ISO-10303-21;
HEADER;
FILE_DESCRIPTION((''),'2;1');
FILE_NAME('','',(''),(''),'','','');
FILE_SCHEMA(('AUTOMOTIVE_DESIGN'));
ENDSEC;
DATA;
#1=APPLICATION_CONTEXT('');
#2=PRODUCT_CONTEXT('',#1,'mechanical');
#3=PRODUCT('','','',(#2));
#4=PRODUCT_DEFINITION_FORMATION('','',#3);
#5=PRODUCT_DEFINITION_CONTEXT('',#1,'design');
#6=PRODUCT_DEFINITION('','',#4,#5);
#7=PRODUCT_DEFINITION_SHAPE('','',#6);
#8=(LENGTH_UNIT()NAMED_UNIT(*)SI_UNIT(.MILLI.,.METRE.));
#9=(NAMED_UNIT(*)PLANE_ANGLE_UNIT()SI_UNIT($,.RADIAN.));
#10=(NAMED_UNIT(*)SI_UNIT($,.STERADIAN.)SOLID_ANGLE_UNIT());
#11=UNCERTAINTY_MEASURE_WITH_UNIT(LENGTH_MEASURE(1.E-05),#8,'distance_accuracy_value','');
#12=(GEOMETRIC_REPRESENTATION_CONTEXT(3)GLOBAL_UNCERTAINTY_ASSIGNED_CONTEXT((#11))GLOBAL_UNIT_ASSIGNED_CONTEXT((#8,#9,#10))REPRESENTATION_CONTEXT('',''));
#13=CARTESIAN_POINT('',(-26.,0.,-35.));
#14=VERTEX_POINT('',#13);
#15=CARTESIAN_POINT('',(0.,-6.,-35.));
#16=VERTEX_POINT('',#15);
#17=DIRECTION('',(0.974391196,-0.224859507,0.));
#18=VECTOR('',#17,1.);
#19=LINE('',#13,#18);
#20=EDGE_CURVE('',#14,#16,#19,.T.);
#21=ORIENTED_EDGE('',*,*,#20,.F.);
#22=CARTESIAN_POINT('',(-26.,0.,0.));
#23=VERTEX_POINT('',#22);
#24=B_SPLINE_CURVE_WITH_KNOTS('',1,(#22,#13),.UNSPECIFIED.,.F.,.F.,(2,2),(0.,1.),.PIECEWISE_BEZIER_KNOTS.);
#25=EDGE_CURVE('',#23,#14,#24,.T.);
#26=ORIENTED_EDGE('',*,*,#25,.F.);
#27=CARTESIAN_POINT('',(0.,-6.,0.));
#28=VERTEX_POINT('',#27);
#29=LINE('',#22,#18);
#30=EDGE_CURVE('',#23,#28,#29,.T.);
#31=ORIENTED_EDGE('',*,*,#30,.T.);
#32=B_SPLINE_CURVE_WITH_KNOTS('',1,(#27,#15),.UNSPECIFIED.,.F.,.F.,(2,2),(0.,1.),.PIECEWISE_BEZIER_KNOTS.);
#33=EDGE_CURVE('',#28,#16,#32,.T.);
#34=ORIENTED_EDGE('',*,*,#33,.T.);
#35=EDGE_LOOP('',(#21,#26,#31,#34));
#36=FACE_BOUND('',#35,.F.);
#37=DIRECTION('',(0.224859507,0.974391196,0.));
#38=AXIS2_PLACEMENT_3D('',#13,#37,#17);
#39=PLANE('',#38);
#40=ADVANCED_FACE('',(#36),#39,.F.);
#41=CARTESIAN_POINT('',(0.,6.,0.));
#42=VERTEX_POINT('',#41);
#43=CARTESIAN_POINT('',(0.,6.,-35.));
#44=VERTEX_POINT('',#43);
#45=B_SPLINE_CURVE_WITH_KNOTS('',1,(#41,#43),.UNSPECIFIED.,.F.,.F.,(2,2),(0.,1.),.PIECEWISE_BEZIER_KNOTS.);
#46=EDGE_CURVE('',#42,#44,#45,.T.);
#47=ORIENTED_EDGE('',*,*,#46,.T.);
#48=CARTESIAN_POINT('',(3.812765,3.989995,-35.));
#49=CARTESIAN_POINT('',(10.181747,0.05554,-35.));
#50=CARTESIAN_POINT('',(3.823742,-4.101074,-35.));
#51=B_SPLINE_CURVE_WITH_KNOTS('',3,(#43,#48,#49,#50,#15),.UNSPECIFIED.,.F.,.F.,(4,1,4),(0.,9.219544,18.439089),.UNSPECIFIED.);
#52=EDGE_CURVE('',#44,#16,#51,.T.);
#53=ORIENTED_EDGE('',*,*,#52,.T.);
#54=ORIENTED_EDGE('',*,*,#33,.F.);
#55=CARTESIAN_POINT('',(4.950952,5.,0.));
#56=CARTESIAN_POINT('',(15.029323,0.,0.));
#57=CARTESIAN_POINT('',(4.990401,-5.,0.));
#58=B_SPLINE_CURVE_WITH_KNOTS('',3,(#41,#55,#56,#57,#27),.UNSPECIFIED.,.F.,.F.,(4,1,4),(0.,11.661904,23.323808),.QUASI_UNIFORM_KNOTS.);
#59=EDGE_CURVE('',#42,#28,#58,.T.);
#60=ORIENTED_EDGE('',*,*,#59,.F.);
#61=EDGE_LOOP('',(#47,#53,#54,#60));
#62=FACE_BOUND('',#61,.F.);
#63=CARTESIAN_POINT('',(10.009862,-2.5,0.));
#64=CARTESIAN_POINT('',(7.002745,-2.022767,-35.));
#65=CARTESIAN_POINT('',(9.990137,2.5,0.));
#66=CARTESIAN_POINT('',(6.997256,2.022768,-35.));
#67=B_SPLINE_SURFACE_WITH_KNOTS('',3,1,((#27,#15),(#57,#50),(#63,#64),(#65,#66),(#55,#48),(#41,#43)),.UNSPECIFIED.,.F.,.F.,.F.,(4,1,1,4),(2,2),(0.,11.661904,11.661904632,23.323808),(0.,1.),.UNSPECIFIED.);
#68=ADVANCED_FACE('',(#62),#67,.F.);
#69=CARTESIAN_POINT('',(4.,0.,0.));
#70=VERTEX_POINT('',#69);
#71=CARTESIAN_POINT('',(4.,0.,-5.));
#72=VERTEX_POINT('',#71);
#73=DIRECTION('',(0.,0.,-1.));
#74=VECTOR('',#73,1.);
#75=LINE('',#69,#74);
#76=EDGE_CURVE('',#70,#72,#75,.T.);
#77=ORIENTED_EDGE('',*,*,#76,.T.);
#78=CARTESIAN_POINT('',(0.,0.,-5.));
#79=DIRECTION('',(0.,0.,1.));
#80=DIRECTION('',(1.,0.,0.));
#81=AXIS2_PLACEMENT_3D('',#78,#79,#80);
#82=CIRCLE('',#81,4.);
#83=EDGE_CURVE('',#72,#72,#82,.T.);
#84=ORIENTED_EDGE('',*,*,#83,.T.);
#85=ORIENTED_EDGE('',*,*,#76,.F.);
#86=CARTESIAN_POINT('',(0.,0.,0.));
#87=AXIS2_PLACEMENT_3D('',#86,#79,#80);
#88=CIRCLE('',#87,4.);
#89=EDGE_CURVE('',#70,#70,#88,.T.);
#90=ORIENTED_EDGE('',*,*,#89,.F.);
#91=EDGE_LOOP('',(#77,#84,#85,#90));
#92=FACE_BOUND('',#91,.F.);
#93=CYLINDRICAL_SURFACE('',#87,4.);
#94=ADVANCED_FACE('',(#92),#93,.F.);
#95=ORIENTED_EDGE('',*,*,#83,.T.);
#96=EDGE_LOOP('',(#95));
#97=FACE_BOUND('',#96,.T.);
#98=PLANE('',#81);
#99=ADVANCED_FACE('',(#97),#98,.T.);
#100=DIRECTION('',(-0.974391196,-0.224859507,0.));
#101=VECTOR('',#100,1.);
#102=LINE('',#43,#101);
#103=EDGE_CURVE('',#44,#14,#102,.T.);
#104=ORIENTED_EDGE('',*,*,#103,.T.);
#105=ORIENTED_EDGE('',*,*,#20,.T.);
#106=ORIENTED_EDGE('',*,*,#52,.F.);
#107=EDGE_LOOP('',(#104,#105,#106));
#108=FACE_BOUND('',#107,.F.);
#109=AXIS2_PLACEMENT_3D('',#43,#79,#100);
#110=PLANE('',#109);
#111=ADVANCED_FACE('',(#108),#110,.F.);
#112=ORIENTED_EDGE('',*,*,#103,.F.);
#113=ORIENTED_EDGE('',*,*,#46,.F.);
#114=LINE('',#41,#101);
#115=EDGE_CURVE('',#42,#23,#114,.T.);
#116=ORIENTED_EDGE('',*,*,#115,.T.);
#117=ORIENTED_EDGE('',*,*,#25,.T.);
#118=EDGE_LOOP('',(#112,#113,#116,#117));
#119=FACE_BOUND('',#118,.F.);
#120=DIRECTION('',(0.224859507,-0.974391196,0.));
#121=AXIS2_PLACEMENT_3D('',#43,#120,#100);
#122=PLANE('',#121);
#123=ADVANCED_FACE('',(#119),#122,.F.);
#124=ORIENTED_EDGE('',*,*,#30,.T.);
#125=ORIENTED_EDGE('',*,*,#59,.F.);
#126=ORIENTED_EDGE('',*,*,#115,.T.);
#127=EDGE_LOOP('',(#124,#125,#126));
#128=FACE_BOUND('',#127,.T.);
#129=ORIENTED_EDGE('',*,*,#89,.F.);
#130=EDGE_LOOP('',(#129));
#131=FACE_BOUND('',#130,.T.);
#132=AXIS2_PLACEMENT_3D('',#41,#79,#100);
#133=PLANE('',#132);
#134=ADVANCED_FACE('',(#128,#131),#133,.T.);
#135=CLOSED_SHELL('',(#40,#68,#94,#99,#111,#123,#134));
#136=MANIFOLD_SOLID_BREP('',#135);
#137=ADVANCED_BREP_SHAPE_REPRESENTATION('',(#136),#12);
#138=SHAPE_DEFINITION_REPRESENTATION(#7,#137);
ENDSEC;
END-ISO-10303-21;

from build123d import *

# Parameters (mm, degrees)
F4_R     = 4
F5_DEPTH = 5


with BuildPart() as f3:
    # F0 (on Top) → F3 section 0
    with BuildSketch(Plane.XY):
        with BuildLine():
            Line((0, 6), (-26, 0))
            Line((-26, 0), (0, -6))
            add(Edge.make_bspline(
                [(0, 6), (4.950952, 5), (15.029323, 0), (4.990401, -5), (0, -6)],
                knots=[0, 0, 0, 0, 11.661904, 23.323808, 23.323808, 23.323808, 23.323808], degree=3))
        make_face()
    # F2 (on offset) → F3 section 1
    with BuildSketch(Plane.XY.offset(-35)):
        with BuildLine():
            Line((0, 6), (-26, 0))
            Line((-26, 0), (0, -6))
            add(Edge.make_bspline(
                [(0, 6), (3.812765, 3.989995), (10.181747, 0.05554), (3.823742, -4.101074), (0, -6)],
                knots=[0, 0, 0, 0, 9.219544, 18.439089, 18.439089, 18.439089, 18.439089], degree=3))
        make_face()
    loft()

    # F4 (on face) → F5 (cut)
    with BuildSketch(Plane.XY):
        Circle(F4_R)
    extrude(amount=-F5_DEPTH, mode=Mode.SUBTRACT)


solid = f3.part
